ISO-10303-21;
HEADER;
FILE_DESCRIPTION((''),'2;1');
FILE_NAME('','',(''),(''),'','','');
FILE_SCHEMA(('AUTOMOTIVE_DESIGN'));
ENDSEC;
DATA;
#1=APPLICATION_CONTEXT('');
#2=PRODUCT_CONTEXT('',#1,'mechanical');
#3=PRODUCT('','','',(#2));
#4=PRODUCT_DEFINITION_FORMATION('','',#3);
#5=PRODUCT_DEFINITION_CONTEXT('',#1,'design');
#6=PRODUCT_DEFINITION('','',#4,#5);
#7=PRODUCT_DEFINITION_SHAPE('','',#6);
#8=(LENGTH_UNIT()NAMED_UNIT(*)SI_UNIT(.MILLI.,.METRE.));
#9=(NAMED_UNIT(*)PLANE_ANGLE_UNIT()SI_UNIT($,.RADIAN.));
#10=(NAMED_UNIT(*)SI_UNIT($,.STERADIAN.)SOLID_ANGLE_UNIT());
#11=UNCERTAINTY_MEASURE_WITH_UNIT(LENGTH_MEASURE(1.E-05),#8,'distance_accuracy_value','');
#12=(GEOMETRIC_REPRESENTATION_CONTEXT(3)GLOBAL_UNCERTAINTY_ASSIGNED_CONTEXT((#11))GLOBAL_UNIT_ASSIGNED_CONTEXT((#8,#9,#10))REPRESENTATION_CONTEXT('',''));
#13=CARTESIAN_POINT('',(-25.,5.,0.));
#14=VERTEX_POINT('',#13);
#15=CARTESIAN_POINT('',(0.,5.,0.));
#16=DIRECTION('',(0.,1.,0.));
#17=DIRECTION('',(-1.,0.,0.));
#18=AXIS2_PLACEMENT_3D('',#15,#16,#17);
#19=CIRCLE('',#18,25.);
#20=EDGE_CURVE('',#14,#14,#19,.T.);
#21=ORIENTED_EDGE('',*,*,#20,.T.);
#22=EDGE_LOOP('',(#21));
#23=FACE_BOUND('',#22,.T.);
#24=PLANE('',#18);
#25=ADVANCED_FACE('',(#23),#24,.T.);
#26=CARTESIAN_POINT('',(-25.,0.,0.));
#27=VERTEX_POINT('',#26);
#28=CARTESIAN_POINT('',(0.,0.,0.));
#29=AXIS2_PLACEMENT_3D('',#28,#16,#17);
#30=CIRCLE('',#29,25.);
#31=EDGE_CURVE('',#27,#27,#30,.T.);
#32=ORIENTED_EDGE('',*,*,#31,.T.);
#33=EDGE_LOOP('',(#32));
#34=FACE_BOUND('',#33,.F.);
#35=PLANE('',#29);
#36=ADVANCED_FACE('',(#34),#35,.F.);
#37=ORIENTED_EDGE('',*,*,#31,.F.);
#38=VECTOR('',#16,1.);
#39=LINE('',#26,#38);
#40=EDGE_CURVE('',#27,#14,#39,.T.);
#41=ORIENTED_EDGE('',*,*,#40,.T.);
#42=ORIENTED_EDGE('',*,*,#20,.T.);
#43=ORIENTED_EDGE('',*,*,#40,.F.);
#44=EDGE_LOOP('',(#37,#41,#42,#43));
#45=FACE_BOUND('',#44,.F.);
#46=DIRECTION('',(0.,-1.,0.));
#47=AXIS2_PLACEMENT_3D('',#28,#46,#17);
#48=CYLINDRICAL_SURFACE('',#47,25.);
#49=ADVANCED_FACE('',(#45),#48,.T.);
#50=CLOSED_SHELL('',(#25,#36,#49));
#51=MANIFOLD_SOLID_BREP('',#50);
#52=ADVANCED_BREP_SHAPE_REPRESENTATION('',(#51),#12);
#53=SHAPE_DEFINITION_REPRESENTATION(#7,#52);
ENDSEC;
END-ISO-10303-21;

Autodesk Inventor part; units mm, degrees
ref_plane "YZ Plane" through (0, 0, 0) normal (1, 0, 0) x (0, 1, 0)
ref_plane "XZ Plane" through (0, 0, 0) normal (0, 1, 0) x (-1, 0, 0)
ref_plane "XY Plane" through (0, 0, 0) normal (0, 0, 1) x (1, 0, 0)
sketch "Эскиз1" plane through (0, 0, 0) normal (0, 1, 0) x (-1, 0, 0)
  circle A0 centre (0, 0) radius 25
  dimension "d0" = 50
extrude "Выдавливание1" add sketch "Эскиз1" along normal blind 5
properties part number "krishka" material "Пластик АБС"
